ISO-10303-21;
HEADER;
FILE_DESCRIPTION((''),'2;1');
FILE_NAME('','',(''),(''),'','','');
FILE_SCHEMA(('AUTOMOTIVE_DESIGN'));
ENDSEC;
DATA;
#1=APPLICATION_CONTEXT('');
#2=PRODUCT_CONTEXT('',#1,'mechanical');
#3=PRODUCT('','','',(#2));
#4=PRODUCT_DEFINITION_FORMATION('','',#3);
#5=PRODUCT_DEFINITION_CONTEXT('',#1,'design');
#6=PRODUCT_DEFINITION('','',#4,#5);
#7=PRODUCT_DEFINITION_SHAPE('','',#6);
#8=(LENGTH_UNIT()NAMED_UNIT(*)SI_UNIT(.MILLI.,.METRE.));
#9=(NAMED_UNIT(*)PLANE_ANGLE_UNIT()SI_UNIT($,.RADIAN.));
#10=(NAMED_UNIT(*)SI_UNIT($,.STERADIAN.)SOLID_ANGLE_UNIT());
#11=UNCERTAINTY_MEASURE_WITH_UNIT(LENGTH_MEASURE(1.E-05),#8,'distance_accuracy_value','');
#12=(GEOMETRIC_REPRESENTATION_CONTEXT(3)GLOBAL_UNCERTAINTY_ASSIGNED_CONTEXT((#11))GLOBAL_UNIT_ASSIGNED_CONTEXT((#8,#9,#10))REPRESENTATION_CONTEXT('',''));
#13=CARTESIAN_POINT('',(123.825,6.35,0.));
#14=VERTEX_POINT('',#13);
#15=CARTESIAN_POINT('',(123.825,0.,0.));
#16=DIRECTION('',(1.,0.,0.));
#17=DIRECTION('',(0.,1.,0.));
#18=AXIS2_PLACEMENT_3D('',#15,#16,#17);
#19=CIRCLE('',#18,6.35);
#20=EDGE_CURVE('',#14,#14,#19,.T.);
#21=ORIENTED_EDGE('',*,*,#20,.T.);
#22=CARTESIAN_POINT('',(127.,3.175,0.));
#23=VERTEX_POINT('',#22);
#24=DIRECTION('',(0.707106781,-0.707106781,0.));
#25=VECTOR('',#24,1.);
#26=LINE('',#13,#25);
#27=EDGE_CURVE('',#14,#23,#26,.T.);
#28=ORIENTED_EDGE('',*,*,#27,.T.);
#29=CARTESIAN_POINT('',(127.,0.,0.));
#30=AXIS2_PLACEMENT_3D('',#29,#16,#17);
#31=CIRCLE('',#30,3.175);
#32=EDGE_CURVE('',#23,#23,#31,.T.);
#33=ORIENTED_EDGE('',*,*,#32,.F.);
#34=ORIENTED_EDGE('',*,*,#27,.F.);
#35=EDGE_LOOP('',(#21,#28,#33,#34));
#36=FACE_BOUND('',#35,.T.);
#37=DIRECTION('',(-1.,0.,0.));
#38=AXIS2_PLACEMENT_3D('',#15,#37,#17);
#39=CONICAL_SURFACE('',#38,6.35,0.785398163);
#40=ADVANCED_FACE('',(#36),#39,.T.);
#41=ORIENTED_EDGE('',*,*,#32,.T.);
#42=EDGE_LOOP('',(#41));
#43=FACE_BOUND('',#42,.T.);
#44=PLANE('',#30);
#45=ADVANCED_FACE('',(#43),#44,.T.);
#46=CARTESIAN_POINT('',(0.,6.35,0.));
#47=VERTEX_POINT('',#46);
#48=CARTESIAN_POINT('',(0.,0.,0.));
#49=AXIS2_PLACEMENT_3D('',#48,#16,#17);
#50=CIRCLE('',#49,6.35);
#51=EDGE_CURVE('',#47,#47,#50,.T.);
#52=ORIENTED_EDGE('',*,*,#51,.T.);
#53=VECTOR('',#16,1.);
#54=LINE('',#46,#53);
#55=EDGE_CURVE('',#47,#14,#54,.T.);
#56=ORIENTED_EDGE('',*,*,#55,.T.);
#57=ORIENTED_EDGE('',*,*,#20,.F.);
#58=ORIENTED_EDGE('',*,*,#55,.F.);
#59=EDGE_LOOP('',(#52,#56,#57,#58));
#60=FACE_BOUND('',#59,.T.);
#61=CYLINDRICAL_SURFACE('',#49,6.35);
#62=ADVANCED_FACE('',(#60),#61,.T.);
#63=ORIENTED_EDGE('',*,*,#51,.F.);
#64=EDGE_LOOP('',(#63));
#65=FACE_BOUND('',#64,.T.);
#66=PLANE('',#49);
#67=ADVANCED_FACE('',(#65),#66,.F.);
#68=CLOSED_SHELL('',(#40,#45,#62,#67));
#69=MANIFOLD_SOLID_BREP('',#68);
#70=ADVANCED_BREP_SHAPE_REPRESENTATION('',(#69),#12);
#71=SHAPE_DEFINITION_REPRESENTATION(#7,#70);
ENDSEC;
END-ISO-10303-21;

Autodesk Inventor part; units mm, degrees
ref_plane "Start Plane" through (0, 0, 0) normal (1, 0, 0) x (0, 1, 0)
ref_plane "XZ Plane" through (0, 0, 0) normal (0, 1, 0) x (-1, 0, 0)
ref_plane "XY Plane" through (0, 0, 0) normal (0, 0, 1) x (1, 0, 0)
sketch "Main Sketch" plane through (0, 0, 0) normal (0, 0, 1) x (1, 0, 0)
  line L0 (0, 0) -> (127, 0)
  line L1 (0, 0) -> (0, 6.35)
  line L2 (127, 6.35) -> (127, 0)
  line L3 (0, 6.35) -> (127, 6.35)
  dimension "d3" = 12.7
revolve "Revolution1" add sketch "Main Sketch" angle 360 about axis through (0, 0, 0) along (1, 0, 0)
chamfer "Chamfer1" distance 3.175 angle 45 1 edges at (127, -6.35, 0)
properties part number "Shaft" material "Steel, Mild"
